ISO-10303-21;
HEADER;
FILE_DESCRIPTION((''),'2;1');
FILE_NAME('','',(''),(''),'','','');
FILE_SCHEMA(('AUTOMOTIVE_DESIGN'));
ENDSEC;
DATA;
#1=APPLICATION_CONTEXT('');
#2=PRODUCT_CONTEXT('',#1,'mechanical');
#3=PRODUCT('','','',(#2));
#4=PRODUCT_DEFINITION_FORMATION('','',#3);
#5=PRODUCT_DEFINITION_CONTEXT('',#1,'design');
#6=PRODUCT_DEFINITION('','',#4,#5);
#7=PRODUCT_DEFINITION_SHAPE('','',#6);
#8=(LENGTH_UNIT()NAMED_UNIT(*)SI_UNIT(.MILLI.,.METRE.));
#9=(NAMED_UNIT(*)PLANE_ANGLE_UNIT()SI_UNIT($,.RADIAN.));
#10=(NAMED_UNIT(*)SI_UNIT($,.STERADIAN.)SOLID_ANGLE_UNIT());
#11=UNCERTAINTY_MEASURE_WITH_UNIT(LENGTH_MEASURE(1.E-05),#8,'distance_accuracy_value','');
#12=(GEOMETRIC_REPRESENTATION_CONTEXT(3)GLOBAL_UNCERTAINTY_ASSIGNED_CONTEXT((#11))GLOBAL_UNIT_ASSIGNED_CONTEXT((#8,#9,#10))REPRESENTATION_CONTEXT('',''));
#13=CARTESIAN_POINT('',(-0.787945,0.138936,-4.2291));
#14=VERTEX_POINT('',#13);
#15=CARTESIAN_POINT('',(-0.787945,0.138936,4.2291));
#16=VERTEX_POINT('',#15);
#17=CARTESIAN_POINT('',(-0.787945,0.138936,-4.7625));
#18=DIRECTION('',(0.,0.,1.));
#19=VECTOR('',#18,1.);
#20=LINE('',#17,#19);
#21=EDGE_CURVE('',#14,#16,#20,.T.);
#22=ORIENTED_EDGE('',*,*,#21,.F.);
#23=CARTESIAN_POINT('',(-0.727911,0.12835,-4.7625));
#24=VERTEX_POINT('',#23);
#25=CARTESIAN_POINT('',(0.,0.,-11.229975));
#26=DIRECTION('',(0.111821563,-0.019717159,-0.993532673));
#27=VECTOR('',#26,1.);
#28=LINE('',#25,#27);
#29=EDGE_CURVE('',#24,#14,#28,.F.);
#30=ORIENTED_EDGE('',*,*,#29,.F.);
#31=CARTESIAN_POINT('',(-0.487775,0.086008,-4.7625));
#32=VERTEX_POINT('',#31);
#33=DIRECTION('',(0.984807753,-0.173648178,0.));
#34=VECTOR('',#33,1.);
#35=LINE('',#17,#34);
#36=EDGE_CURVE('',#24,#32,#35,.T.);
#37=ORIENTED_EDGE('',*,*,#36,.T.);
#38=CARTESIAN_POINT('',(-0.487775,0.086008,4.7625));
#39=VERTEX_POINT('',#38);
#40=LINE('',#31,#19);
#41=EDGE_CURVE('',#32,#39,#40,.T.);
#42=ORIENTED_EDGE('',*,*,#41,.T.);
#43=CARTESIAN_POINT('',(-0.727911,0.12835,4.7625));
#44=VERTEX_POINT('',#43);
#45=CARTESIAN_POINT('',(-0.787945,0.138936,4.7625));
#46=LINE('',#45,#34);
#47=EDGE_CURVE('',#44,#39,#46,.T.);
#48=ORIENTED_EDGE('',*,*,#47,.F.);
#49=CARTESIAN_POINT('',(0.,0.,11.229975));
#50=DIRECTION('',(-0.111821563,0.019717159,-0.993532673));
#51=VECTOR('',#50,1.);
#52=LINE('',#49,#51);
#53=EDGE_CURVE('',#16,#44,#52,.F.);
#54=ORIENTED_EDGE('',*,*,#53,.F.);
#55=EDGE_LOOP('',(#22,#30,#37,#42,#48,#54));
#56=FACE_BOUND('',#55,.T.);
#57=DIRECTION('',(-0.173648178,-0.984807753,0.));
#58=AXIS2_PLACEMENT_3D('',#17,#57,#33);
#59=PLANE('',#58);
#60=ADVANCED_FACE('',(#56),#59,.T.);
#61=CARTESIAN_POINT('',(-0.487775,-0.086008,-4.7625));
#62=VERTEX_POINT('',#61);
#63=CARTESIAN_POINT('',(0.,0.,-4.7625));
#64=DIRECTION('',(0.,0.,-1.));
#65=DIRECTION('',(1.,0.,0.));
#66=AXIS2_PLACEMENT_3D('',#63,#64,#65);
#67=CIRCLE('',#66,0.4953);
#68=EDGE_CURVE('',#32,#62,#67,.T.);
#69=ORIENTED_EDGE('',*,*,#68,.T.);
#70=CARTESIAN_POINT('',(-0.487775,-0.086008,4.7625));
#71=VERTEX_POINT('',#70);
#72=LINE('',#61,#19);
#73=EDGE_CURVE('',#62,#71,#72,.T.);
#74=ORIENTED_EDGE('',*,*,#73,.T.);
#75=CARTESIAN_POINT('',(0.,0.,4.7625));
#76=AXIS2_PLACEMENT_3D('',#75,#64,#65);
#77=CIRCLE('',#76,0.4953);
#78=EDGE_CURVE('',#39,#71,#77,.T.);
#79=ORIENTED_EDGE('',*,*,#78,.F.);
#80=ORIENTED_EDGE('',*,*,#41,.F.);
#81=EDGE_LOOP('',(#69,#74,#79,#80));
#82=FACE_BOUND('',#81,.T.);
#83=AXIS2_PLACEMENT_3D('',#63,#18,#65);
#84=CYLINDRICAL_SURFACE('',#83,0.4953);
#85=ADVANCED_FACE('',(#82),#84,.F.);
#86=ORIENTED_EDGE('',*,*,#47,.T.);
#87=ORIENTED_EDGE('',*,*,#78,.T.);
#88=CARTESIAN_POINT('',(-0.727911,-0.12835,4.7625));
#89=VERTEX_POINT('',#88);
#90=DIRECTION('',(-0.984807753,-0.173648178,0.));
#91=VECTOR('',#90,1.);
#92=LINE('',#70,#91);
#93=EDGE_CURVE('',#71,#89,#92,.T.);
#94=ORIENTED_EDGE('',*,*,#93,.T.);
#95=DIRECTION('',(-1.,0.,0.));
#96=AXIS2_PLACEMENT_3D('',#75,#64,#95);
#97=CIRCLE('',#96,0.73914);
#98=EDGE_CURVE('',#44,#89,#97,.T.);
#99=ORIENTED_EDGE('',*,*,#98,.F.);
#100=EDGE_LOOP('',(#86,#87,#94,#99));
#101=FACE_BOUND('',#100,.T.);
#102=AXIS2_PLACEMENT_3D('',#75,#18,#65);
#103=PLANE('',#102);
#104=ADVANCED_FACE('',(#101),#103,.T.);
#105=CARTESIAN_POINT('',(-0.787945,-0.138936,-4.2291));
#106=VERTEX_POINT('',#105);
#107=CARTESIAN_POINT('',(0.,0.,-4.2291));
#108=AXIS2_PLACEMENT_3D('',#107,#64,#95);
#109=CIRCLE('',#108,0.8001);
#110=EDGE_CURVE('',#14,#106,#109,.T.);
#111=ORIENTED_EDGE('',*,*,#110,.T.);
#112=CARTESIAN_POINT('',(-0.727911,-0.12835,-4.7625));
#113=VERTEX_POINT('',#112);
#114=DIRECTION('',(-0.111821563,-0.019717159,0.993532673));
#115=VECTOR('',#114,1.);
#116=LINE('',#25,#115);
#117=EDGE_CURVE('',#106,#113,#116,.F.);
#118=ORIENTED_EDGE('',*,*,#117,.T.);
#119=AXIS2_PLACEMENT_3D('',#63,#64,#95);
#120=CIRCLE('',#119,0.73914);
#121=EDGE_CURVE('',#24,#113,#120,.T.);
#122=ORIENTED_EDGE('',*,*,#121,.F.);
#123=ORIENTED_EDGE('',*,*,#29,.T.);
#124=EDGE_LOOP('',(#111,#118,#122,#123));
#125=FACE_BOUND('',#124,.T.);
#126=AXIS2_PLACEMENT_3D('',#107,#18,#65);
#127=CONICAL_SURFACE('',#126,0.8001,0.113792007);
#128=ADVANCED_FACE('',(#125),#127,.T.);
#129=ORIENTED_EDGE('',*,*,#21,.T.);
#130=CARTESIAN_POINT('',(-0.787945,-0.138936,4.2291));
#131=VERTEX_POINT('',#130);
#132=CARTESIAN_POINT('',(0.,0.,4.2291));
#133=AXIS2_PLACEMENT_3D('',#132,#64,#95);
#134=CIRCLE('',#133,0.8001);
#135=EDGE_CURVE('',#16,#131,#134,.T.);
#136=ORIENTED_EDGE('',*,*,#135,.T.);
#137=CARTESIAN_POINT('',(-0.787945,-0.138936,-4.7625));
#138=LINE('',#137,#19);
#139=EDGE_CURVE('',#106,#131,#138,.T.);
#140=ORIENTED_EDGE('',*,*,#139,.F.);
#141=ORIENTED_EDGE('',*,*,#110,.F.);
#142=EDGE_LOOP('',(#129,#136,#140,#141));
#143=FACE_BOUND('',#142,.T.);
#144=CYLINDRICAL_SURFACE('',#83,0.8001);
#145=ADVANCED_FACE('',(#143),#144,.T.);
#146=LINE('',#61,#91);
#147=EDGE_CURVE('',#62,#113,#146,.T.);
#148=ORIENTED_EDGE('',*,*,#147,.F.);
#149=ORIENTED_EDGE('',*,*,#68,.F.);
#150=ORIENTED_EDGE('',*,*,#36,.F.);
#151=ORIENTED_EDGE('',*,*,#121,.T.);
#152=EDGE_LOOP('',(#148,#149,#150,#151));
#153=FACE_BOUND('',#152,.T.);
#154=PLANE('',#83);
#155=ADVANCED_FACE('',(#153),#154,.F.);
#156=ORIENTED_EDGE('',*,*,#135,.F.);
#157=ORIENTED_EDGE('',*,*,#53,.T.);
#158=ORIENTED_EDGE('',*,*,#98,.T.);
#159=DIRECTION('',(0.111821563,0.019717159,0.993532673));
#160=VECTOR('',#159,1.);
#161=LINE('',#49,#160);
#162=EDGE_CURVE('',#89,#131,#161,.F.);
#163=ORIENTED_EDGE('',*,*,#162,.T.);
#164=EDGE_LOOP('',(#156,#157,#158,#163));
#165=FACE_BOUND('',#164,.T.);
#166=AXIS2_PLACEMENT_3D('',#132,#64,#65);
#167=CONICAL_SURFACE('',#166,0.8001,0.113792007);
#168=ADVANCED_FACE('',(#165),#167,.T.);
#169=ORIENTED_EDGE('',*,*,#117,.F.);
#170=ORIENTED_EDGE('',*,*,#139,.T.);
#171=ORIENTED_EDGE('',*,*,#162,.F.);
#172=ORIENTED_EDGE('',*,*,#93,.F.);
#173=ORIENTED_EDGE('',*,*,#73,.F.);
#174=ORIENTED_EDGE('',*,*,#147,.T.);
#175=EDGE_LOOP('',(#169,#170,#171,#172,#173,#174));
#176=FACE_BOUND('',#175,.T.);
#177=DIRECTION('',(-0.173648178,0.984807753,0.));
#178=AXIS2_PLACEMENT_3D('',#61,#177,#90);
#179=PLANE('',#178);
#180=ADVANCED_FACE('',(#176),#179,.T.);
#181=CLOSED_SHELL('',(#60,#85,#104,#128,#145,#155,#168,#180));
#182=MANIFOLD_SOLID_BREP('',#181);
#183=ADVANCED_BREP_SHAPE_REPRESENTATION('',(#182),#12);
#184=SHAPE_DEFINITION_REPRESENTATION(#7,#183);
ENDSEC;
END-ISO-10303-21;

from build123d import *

# Parameters (mm, degrees)
EXTRUDE1_DEPTH      = 4.7625
EXTRUDE1_DEPTH_BACK = 4.7625


with BuildPart() as part:
    # Sketch1 → Extrude1 (new body, two sides)
    with BuildSketch(Plane.XY) as extrude1_sk:
        with BuildLine():
            Line((-0.48777528, -0.086007942), (-0.787944683, -0.138935907))
            ThreePointArc((-0.787944683, -0.138935907), (0.8001, 0), (-0.787944683, 0.138935907))
            Line((-0.787944683, 0.138935907), (-0.48777528, 0.086007942))
            ThreePointArc((-0.48777528, 0.086007942), (0.4953, 0), (-0.48777528, -0.086007942))
        make_face()
    extrude(amount=EXTRUDE1_DEPTH)
    extrude(extrude1_sk.sketch, amount=-EXTRUDE1_DEPTH_BACK)

    # Sketch2 → Cut-Revolve1 (revolve, cut)
    with BuildSketch(Plane(origin=(0, 0, 0), x_dir=(0, 0, -1), z_dir=(1, 0, 0))):
        Polygon((4.7625, 0.73914), (4.2291, 0.8001), (4.7625, 0.8001), align=None)
    cut_revolve1 = revolve(axis=Axis((0, 0, -4.7625), (0, 0, 1)), mode=Mode.SUBTRACT)

    # Mirror1: Cut-Revolve1 across plane
    add(cut_revolve1.mirror(Plane.XY), mode=Mode.SUBTRACT)


solid = part.part
